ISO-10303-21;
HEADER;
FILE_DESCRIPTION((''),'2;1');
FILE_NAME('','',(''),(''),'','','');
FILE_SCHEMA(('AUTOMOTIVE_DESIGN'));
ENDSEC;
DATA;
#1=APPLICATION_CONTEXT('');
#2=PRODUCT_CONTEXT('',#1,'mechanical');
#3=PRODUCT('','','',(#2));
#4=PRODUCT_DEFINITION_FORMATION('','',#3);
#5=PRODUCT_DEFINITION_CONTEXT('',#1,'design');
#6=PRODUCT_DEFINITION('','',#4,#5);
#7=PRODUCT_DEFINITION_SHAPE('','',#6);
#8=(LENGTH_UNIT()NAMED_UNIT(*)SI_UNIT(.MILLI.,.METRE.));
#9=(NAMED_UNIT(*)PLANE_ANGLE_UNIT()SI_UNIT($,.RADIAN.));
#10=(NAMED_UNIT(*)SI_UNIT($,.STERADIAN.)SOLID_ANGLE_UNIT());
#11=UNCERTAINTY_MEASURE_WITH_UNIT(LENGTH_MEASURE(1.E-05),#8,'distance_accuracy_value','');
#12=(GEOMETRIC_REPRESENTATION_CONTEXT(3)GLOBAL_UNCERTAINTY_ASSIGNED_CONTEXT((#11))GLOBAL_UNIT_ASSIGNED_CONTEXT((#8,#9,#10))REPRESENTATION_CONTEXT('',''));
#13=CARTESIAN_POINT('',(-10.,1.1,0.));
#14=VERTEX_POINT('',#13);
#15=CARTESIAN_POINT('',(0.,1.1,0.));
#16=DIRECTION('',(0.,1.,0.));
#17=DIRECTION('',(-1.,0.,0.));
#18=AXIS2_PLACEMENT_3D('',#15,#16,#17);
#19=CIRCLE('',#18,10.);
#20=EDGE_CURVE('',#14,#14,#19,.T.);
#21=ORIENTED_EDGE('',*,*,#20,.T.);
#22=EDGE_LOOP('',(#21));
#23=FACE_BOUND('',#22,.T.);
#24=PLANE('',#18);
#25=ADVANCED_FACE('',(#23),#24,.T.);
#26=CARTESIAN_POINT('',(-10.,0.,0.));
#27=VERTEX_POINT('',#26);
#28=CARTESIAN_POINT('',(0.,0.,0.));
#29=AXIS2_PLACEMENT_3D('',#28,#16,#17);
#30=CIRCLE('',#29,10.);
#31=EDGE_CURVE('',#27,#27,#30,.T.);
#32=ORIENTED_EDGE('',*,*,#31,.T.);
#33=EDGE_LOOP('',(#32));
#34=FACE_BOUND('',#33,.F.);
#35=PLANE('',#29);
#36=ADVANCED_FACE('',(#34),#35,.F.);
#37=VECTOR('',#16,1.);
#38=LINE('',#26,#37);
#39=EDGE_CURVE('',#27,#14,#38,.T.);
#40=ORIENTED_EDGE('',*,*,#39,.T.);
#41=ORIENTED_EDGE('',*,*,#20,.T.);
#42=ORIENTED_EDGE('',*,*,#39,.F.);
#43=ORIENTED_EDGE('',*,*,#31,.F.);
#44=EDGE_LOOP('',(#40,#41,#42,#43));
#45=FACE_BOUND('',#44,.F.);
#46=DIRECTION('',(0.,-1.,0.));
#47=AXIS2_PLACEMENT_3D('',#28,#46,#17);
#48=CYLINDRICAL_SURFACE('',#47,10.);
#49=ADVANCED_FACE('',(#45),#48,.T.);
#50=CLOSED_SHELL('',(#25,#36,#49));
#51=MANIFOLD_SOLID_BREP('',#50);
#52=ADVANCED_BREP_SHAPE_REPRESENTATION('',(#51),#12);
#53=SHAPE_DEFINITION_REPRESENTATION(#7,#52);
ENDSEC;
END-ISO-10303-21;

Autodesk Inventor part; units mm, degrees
ref_plane "YZ Plane" through (0, 0, 0) normal (1, 0, 0) x (0, 1, 0)
ref_plane "XZ Plane" through (0, 0, 0) normal (0, 1, 0) x (-1, 0, 0)
ref_plane "XY Plane" through (0, 0, 0) normal (0, 0, 1) x (1, 0, 0)
sketch "Sketch1" plane through (0, 0, 0) normal (0, 1, 0) x (-1, 0, 0)
  circle A0 centre (0, 0) radius 10
  dimension "d0" = 20
extrude "Extrusion1" add sketch "Sketch1" along normal blind 1.1
properties part number "Steel_Inserts" material "Stainless Steel"
